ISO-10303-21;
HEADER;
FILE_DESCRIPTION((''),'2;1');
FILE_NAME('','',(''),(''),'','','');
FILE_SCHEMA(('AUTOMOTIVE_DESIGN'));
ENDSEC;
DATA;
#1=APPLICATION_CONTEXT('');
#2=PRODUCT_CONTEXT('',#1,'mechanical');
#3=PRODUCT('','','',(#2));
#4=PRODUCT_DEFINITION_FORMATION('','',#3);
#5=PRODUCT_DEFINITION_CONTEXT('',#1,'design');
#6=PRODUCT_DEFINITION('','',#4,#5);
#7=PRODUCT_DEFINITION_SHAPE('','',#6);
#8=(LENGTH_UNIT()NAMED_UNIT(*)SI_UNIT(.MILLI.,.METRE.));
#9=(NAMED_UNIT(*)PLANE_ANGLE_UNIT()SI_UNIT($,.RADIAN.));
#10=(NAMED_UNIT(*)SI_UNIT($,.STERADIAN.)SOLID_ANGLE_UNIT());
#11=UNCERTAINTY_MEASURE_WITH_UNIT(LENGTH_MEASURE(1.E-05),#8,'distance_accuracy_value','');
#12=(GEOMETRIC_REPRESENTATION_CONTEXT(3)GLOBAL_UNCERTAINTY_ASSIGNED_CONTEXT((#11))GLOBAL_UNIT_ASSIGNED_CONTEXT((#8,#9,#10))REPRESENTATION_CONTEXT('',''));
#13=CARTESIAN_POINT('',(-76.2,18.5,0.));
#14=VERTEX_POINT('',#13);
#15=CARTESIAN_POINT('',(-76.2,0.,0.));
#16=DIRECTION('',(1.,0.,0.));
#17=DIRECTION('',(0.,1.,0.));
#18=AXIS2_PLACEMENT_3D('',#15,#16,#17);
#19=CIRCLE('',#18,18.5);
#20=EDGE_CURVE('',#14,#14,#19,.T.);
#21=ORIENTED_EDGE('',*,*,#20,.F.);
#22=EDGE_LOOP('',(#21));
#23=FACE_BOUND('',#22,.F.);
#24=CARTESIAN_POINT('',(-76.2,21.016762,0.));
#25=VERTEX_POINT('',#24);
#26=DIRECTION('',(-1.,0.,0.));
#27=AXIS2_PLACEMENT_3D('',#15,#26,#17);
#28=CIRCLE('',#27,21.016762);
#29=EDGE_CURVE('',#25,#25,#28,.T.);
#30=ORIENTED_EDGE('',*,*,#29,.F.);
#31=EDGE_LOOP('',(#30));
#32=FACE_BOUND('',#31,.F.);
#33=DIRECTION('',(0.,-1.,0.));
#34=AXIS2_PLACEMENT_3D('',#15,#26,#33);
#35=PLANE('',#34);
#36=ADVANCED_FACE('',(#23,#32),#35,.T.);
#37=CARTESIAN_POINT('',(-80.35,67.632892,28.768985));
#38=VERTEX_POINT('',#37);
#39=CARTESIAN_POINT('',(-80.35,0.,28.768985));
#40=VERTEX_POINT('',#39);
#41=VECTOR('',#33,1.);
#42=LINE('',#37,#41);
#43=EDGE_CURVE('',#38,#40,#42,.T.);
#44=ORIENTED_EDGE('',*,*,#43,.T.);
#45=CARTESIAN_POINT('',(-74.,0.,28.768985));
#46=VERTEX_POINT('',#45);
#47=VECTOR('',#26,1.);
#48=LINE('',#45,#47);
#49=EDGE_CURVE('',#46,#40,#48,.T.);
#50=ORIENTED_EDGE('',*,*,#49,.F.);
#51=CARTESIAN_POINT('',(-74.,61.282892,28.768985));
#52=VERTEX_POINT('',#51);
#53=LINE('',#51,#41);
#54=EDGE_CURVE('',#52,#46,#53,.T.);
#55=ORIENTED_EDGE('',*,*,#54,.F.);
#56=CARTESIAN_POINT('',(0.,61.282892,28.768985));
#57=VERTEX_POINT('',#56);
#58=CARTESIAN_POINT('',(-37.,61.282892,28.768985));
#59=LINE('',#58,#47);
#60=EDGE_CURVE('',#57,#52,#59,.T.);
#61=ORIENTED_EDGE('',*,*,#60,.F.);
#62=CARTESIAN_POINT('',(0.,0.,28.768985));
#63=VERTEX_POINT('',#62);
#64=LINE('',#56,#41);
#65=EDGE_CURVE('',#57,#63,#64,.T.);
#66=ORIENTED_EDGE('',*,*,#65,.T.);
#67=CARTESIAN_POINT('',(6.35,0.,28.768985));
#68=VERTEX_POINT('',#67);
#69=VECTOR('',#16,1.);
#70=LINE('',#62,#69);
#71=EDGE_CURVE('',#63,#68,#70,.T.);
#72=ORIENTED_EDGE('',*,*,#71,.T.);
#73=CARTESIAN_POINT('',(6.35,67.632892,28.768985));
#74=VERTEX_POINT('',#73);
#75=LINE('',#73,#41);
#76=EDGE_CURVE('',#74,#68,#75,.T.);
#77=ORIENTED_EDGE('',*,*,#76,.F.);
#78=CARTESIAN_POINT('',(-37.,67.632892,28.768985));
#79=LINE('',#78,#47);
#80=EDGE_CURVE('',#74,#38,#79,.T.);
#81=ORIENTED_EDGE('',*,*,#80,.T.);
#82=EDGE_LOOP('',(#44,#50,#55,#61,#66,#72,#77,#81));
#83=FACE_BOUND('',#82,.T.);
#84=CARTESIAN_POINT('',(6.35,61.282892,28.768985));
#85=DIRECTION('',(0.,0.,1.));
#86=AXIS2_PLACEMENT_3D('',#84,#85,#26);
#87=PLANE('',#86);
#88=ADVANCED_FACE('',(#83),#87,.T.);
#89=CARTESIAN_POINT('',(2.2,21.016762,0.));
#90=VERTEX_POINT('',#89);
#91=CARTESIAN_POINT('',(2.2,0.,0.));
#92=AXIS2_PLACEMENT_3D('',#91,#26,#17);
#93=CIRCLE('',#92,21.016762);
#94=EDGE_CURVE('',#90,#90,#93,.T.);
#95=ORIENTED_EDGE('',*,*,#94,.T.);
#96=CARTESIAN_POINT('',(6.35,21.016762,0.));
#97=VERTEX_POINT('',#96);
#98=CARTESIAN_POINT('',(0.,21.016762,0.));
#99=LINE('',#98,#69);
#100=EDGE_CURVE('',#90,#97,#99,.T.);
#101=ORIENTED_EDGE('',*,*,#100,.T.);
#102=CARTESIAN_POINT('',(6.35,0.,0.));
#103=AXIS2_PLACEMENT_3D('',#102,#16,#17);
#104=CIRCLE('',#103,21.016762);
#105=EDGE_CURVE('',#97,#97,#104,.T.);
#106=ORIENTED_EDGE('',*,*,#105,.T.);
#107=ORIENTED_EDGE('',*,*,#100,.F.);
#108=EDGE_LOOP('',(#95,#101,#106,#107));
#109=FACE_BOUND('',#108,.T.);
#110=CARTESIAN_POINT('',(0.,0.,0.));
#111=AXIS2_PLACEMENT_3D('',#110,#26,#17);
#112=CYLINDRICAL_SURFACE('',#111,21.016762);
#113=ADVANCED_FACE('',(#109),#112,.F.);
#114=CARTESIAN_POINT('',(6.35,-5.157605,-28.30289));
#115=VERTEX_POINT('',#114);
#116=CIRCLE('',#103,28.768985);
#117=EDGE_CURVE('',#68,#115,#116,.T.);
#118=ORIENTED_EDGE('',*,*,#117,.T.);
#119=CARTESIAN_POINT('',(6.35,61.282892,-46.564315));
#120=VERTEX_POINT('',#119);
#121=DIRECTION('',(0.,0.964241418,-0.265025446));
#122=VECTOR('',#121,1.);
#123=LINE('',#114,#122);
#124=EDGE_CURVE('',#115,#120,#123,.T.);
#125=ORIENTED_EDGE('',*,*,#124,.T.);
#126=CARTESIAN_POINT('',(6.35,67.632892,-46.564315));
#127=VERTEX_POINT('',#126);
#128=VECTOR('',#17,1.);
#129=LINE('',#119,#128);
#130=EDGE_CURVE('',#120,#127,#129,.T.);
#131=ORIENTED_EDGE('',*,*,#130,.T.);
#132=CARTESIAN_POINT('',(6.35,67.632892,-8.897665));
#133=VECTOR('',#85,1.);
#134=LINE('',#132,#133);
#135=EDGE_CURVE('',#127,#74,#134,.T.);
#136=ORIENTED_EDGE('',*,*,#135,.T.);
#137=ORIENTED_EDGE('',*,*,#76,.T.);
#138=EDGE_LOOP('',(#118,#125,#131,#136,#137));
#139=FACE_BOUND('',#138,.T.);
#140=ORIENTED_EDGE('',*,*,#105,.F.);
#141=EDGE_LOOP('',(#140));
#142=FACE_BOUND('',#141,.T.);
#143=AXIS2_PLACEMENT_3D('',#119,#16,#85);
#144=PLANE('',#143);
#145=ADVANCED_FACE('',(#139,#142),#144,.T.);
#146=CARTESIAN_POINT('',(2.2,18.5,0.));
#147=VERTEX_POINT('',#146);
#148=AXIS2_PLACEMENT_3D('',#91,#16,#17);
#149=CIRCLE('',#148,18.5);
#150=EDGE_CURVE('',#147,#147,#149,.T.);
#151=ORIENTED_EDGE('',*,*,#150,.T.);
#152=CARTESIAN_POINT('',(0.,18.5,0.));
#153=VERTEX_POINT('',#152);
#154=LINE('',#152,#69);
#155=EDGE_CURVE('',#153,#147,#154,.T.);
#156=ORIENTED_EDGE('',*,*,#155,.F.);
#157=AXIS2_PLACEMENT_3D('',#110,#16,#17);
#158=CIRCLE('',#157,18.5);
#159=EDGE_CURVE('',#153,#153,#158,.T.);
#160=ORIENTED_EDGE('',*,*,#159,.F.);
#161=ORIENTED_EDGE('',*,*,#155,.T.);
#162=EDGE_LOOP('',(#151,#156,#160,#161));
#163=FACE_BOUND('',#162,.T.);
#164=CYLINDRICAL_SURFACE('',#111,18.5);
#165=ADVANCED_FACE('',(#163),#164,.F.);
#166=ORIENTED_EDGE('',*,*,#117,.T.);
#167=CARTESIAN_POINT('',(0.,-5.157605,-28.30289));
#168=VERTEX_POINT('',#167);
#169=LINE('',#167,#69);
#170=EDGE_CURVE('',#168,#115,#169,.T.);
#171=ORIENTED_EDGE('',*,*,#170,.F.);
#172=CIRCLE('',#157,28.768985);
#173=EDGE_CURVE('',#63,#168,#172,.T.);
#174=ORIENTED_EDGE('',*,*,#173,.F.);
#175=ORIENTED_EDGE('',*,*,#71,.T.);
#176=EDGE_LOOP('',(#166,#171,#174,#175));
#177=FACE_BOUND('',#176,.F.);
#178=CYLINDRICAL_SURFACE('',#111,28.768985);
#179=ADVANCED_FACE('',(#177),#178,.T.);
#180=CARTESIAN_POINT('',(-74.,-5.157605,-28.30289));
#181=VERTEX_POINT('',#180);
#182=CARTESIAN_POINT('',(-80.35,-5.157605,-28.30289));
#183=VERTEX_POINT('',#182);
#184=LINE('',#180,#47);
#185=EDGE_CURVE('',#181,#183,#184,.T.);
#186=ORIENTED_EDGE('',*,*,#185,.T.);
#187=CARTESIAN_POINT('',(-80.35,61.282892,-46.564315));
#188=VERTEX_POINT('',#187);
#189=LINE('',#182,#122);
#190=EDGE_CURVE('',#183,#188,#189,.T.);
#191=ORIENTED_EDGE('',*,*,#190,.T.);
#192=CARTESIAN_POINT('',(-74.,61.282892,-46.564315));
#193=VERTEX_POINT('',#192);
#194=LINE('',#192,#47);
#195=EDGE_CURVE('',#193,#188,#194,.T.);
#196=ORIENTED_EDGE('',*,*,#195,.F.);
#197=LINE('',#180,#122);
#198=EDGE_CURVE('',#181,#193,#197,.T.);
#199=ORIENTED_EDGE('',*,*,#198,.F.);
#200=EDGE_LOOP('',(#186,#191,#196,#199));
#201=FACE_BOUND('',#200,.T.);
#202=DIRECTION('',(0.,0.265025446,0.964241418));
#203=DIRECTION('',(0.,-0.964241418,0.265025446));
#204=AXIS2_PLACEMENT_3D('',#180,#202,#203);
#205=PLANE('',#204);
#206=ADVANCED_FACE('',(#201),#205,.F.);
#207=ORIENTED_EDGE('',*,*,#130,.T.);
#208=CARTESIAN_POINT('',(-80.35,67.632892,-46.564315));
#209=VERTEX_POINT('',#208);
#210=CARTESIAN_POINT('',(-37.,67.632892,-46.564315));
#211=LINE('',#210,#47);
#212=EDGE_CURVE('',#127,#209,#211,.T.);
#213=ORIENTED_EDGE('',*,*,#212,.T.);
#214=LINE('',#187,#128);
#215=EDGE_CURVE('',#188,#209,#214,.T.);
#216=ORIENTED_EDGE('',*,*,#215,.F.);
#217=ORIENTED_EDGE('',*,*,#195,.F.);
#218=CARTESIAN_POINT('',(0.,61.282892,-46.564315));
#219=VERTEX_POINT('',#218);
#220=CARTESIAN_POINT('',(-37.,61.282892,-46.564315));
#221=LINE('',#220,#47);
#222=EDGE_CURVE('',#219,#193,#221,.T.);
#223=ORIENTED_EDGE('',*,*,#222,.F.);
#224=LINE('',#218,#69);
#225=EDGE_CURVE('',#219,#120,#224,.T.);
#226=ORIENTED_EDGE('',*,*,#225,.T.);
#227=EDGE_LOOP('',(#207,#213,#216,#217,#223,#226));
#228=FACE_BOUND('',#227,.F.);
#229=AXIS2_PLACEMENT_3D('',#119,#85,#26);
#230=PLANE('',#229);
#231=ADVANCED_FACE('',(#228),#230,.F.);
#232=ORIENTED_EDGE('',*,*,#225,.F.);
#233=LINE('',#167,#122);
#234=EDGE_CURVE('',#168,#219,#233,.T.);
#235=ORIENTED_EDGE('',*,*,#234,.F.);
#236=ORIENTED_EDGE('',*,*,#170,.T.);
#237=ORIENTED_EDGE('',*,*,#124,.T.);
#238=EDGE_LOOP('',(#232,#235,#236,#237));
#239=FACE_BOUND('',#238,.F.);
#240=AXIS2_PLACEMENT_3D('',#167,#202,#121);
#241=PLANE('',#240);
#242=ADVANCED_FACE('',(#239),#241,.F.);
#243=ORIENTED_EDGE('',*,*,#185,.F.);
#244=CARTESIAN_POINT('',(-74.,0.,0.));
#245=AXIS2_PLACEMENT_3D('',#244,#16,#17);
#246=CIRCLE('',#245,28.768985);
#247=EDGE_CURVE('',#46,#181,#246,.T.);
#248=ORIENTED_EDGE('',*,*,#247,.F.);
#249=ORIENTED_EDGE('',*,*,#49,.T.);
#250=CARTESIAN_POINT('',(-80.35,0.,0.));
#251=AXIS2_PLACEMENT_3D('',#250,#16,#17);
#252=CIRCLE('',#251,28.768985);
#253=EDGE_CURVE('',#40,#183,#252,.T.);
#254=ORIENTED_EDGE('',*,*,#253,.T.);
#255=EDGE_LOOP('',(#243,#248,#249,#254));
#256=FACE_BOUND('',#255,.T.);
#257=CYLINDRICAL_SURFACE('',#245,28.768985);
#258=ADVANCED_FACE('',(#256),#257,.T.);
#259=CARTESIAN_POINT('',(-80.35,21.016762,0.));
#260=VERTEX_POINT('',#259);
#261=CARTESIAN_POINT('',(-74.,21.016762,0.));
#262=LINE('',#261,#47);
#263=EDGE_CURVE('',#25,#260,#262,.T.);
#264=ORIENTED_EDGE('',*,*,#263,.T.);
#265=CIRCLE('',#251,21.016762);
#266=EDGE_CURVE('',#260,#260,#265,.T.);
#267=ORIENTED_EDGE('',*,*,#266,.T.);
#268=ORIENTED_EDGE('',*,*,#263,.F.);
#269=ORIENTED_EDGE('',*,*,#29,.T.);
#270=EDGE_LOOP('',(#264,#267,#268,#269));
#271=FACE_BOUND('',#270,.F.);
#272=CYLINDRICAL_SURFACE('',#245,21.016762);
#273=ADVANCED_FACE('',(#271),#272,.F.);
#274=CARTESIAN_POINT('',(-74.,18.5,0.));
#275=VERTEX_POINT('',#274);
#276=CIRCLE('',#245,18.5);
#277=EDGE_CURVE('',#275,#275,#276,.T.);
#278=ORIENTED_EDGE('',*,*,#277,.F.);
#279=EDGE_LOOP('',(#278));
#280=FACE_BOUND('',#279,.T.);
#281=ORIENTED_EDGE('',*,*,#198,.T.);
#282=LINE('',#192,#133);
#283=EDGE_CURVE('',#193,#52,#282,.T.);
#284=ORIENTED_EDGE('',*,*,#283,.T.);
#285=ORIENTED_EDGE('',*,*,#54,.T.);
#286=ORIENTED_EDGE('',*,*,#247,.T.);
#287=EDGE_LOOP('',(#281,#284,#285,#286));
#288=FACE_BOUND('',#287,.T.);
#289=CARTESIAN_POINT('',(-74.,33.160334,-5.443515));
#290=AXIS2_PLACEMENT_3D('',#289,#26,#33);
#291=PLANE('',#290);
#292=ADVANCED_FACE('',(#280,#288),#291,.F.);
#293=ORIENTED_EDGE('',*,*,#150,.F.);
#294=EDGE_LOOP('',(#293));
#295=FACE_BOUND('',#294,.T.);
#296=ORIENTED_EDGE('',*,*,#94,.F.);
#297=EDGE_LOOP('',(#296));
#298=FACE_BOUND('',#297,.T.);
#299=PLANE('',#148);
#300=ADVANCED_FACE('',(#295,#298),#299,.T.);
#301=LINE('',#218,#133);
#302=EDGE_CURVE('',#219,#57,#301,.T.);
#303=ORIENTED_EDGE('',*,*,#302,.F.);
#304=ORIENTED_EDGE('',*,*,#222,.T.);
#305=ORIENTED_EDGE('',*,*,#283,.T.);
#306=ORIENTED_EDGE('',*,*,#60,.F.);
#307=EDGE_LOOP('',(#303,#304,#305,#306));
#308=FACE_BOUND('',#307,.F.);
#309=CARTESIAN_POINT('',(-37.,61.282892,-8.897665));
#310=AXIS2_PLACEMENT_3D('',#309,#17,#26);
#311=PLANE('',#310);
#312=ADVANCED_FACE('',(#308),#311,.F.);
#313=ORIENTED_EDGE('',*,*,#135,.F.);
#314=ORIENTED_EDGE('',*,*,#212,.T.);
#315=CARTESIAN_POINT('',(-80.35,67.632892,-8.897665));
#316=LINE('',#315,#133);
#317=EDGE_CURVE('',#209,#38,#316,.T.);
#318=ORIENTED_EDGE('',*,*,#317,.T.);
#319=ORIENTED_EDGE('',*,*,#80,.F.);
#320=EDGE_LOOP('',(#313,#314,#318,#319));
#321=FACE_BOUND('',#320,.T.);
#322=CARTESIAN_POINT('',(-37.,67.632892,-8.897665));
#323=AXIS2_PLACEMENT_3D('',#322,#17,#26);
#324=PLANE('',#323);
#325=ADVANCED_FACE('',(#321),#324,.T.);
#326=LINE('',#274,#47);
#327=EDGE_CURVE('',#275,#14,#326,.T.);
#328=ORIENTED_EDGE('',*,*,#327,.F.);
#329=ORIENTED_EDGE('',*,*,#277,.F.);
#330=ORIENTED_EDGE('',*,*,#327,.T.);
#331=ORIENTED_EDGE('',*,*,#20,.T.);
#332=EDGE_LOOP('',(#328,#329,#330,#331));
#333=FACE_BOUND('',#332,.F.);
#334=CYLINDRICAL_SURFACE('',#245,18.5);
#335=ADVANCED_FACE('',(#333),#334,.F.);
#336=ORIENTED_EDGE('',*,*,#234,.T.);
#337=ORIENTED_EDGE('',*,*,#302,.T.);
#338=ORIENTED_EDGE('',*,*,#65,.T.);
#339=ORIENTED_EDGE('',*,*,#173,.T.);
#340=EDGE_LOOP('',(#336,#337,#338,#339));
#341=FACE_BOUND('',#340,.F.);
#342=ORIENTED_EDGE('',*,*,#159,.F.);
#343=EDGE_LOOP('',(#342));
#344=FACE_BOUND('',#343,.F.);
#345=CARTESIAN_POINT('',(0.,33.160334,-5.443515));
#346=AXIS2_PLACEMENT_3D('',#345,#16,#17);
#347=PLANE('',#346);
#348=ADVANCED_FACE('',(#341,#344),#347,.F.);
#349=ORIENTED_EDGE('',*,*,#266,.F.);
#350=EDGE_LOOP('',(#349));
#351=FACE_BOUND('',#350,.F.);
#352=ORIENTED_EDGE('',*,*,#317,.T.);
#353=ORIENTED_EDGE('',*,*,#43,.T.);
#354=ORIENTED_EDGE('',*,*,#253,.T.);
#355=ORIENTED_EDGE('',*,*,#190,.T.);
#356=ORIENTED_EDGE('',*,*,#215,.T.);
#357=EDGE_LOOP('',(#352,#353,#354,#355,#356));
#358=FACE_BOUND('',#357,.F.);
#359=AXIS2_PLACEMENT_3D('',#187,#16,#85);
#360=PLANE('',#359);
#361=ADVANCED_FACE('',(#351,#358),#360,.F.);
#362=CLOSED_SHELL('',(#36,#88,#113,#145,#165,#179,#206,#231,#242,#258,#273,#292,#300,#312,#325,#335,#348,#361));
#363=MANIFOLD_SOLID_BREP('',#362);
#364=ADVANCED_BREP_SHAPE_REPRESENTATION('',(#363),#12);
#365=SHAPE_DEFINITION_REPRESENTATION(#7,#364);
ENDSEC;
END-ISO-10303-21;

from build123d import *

# Parameters (mm, degrees)
F0_R     = 23
F0_R_2   = 18.5
F1_DEPTH = 2.2
F2_R     = 28.7689848305
F2_R_2   = 21.0167623051
F3_DEPTH = 6.35
F5_DEPTH = 6.35
F8_W     = 86.7
F8_H     = 75.3333002466
F9_DEPTH = 6.35


with BuildPart() as f1:
    # F0 (on Right) → F1 (new body)
    with BuildSketch(Plane.YZ):
        Circle(F0_R)
        Circle(F0_R_2, mode=Mode.SUBTRACT)
    extrude(amount=F1_DEPTH)

    # F2 (on Right) → F3 (join)
    with BuildSketch(Plane.YZ):
        Circle(F2_R)
        Circle(F2_R_2, mode=Mode.SUBTRACT)
    extrude(amount=F3_DEPTH)

    # F4 (on Right) → F5 (join)
    with BuildSketch(Plane.YZ):
        with BuildLine():
            Line((61.2828924653, 28.7689848305), (0, 28.7689848305))
            ThreePointArc((0, 28.7689848305), (28.652224252, -2.5893114127), (-5.1576050869, -28.3028902754))
            Line((-5.1576050869, -28.3028902754), (61.2828924653, -46.5643154161))
            Line((61.2828924653, -46.5643154161), (61.2828924653, 28.7689848305))
        make_face()
    extrude(amount=F5_DEPTH)


with BuildPart() as f6_1:
    # F6: instance of F1
    add(f1.part.mirror(Plane.YZ))


with BuildPart() as f6_1_1:
    # F7: moved
    add(f6_1.part.moved(Location((-74, 0, 0))))


with BuildPart() as f1_1:
    add(f1.part)

    add(f6_1_1.part)  # F9 merges F6_1
    # F8 (on face) → F9 (join)
    with BuildSketch(Plane(origin=(0, 61.2828924653, 0), x_dir=(-1, 0, 0), z_dir=(0, 1, 0))):
        with Locations((37, -8.8976652928)):
            Rectangle(F8_W, F8_H)
    extrude(amount=F9_DEPTH)


solid = f1_1.part
